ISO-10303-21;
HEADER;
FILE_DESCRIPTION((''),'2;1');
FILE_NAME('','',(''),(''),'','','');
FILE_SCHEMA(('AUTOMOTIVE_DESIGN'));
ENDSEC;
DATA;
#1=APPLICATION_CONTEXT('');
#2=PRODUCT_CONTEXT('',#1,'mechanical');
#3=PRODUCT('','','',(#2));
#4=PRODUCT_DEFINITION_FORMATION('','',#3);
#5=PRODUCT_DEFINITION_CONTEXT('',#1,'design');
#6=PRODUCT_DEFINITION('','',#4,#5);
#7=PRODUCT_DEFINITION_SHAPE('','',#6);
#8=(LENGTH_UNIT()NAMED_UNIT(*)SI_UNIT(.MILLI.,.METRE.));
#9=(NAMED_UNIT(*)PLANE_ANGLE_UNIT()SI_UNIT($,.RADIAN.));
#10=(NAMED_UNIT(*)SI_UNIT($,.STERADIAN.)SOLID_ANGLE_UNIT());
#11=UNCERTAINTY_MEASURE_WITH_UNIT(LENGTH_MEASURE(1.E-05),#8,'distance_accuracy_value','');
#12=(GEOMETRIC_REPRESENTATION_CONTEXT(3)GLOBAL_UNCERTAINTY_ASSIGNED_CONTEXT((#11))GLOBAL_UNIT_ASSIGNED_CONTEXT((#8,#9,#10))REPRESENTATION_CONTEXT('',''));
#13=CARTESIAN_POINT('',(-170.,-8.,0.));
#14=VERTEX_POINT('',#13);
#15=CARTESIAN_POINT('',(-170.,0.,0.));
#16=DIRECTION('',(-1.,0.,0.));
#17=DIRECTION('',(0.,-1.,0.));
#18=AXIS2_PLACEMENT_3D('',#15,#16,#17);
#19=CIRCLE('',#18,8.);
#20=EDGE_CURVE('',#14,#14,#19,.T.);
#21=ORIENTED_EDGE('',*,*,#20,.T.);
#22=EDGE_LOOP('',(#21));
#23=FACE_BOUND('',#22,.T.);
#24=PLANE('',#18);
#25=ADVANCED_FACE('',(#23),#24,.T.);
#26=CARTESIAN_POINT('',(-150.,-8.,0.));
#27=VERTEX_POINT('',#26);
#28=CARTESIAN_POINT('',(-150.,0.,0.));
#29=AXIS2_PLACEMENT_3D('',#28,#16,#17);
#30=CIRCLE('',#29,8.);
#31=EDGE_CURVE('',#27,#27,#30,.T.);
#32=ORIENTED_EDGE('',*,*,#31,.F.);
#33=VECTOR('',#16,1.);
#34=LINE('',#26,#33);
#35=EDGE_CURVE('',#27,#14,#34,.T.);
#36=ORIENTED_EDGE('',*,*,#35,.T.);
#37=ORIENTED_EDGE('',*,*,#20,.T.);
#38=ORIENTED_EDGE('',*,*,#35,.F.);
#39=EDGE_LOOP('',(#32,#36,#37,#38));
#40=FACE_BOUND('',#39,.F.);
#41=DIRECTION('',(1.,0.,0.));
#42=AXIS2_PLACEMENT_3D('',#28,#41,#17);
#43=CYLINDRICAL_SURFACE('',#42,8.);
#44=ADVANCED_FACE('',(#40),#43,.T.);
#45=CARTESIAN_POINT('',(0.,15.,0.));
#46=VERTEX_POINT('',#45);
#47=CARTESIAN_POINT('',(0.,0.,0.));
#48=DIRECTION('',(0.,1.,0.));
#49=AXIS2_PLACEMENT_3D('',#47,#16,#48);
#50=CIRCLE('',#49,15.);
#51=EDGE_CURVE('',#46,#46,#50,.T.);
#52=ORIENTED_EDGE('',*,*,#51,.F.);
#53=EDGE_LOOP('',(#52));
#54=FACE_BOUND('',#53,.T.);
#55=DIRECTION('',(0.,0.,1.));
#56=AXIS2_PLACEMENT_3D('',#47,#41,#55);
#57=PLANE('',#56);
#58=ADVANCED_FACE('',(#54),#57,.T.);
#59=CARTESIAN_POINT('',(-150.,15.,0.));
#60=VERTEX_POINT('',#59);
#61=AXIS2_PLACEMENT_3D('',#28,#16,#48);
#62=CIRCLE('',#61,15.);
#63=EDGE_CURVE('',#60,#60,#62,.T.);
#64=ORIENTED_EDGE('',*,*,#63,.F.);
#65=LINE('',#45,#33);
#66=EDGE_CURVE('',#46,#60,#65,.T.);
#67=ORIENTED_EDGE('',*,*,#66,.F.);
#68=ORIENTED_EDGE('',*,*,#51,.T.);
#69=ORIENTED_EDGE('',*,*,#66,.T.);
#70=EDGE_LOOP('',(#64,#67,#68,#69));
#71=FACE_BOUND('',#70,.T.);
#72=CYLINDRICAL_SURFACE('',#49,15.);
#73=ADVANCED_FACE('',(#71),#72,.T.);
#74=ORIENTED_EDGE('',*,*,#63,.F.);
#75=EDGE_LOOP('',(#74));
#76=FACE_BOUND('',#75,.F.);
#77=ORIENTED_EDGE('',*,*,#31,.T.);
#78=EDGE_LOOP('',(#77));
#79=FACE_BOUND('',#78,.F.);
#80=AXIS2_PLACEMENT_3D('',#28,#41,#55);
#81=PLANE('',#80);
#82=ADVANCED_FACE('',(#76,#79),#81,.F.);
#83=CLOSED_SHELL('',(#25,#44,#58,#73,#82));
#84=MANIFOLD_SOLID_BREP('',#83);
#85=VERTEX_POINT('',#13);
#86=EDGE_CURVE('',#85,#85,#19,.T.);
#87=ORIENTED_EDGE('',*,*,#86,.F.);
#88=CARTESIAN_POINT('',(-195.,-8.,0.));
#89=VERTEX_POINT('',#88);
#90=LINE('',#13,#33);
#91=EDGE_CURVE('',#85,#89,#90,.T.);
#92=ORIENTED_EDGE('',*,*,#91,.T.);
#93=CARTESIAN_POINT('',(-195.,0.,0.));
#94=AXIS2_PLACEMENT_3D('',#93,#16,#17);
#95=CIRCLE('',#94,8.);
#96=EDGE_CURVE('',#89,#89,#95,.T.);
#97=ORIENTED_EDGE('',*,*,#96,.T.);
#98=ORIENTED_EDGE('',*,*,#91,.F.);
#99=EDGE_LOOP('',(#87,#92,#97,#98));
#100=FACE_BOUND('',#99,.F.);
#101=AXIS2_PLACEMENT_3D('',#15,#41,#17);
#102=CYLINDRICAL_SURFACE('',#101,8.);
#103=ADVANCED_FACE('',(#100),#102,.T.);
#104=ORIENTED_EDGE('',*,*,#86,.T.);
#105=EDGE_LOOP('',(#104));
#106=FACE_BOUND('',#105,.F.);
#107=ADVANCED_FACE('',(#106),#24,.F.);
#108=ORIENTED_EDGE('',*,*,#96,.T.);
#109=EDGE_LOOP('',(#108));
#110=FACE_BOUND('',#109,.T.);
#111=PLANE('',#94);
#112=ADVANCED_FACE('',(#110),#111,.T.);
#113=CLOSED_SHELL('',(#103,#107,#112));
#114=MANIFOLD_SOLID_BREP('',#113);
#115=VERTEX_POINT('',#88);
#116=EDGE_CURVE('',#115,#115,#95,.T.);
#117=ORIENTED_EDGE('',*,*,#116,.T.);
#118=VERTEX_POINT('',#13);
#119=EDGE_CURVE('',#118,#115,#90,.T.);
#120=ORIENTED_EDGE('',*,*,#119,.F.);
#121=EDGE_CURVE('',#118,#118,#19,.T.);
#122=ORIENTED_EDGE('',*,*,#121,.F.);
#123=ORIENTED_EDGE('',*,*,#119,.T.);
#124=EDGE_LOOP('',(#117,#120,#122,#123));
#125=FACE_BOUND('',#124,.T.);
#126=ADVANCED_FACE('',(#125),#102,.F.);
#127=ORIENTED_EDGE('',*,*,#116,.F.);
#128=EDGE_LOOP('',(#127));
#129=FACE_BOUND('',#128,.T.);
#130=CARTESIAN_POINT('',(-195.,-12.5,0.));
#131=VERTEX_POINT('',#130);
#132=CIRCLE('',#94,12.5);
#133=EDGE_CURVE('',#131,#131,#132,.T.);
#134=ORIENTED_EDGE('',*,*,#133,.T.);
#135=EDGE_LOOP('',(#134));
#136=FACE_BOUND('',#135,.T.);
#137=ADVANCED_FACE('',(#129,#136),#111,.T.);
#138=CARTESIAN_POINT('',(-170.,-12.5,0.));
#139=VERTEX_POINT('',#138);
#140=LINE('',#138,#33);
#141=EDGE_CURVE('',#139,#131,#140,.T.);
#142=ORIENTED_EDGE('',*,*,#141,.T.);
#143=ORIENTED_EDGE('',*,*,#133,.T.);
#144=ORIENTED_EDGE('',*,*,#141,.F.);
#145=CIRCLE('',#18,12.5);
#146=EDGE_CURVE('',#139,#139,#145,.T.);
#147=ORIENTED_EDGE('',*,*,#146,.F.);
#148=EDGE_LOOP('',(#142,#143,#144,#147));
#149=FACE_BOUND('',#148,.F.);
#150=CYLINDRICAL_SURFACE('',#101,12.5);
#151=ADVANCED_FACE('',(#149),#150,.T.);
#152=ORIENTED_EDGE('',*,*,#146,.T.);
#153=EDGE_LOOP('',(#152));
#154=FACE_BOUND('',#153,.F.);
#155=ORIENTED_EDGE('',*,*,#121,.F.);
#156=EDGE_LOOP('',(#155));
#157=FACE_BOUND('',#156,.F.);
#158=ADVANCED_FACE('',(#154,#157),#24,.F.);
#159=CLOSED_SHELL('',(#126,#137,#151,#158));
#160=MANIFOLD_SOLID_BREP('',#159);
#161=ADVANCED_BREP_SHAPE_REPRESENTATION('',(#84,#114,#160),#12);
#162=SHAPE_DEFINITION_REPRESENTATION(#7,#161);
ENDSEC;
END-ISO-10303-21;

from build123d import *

# Parameters (mm, degrees)
F1_R      = 15
F3_R      = 8
F4_DEPTH  = 20
F5_R      = 12.5
F5_R_2    = 8
F6_DEPTH  = 25
F4_FACE_R = 8
F7_DEPTH  = 25


with BuildPart() as f2:
    # F2: sweep along a path in F0
    with BuildLine(Plane.XY) as f2_path:
        Line((0, 0), (-150, 0))
    # F1 (on Right) → F2 (sweep)
    with BuildSketch(Plane.YZ):
        Circle(F1_R)
    sweep(path=f2_path.line)

    # F3 (on face) → F4 (join)
    with BuildSketch(Plane(origin=(-150, 0, 0), x_dir=(0, -1, 0), z_dir=(-1, 0, 0))):
        Circle(F3_R)
    extrude(amount=F4_DEPTH)


with BuildPart() as f6:
    # F5 (on face) → F6 (new body)
    with BuildSketch(Plane(origin=(-170, 0, 0), x_dir=(0, -1, 0), z_dir=(-1, 0, 0))):
        Circle(F5_R)
        Circle(F5_R_2, mode=Mode.SUBTRACT)
    extrude(amount=F6_DEPTH)


with BuildPart() as f7:
    # F4_face (on face) → F7 (new body)
    with BuildSketch(Plane(origin=(-170, 0, 0), x_dir=(0, -1, 0), z_dir=(-1, 0, 0))):
        Circle(F4_FACE_R)
    extrude(amount=F7_DEPTH)


solid = Compound([f2.part, f6.part, f7.part])
